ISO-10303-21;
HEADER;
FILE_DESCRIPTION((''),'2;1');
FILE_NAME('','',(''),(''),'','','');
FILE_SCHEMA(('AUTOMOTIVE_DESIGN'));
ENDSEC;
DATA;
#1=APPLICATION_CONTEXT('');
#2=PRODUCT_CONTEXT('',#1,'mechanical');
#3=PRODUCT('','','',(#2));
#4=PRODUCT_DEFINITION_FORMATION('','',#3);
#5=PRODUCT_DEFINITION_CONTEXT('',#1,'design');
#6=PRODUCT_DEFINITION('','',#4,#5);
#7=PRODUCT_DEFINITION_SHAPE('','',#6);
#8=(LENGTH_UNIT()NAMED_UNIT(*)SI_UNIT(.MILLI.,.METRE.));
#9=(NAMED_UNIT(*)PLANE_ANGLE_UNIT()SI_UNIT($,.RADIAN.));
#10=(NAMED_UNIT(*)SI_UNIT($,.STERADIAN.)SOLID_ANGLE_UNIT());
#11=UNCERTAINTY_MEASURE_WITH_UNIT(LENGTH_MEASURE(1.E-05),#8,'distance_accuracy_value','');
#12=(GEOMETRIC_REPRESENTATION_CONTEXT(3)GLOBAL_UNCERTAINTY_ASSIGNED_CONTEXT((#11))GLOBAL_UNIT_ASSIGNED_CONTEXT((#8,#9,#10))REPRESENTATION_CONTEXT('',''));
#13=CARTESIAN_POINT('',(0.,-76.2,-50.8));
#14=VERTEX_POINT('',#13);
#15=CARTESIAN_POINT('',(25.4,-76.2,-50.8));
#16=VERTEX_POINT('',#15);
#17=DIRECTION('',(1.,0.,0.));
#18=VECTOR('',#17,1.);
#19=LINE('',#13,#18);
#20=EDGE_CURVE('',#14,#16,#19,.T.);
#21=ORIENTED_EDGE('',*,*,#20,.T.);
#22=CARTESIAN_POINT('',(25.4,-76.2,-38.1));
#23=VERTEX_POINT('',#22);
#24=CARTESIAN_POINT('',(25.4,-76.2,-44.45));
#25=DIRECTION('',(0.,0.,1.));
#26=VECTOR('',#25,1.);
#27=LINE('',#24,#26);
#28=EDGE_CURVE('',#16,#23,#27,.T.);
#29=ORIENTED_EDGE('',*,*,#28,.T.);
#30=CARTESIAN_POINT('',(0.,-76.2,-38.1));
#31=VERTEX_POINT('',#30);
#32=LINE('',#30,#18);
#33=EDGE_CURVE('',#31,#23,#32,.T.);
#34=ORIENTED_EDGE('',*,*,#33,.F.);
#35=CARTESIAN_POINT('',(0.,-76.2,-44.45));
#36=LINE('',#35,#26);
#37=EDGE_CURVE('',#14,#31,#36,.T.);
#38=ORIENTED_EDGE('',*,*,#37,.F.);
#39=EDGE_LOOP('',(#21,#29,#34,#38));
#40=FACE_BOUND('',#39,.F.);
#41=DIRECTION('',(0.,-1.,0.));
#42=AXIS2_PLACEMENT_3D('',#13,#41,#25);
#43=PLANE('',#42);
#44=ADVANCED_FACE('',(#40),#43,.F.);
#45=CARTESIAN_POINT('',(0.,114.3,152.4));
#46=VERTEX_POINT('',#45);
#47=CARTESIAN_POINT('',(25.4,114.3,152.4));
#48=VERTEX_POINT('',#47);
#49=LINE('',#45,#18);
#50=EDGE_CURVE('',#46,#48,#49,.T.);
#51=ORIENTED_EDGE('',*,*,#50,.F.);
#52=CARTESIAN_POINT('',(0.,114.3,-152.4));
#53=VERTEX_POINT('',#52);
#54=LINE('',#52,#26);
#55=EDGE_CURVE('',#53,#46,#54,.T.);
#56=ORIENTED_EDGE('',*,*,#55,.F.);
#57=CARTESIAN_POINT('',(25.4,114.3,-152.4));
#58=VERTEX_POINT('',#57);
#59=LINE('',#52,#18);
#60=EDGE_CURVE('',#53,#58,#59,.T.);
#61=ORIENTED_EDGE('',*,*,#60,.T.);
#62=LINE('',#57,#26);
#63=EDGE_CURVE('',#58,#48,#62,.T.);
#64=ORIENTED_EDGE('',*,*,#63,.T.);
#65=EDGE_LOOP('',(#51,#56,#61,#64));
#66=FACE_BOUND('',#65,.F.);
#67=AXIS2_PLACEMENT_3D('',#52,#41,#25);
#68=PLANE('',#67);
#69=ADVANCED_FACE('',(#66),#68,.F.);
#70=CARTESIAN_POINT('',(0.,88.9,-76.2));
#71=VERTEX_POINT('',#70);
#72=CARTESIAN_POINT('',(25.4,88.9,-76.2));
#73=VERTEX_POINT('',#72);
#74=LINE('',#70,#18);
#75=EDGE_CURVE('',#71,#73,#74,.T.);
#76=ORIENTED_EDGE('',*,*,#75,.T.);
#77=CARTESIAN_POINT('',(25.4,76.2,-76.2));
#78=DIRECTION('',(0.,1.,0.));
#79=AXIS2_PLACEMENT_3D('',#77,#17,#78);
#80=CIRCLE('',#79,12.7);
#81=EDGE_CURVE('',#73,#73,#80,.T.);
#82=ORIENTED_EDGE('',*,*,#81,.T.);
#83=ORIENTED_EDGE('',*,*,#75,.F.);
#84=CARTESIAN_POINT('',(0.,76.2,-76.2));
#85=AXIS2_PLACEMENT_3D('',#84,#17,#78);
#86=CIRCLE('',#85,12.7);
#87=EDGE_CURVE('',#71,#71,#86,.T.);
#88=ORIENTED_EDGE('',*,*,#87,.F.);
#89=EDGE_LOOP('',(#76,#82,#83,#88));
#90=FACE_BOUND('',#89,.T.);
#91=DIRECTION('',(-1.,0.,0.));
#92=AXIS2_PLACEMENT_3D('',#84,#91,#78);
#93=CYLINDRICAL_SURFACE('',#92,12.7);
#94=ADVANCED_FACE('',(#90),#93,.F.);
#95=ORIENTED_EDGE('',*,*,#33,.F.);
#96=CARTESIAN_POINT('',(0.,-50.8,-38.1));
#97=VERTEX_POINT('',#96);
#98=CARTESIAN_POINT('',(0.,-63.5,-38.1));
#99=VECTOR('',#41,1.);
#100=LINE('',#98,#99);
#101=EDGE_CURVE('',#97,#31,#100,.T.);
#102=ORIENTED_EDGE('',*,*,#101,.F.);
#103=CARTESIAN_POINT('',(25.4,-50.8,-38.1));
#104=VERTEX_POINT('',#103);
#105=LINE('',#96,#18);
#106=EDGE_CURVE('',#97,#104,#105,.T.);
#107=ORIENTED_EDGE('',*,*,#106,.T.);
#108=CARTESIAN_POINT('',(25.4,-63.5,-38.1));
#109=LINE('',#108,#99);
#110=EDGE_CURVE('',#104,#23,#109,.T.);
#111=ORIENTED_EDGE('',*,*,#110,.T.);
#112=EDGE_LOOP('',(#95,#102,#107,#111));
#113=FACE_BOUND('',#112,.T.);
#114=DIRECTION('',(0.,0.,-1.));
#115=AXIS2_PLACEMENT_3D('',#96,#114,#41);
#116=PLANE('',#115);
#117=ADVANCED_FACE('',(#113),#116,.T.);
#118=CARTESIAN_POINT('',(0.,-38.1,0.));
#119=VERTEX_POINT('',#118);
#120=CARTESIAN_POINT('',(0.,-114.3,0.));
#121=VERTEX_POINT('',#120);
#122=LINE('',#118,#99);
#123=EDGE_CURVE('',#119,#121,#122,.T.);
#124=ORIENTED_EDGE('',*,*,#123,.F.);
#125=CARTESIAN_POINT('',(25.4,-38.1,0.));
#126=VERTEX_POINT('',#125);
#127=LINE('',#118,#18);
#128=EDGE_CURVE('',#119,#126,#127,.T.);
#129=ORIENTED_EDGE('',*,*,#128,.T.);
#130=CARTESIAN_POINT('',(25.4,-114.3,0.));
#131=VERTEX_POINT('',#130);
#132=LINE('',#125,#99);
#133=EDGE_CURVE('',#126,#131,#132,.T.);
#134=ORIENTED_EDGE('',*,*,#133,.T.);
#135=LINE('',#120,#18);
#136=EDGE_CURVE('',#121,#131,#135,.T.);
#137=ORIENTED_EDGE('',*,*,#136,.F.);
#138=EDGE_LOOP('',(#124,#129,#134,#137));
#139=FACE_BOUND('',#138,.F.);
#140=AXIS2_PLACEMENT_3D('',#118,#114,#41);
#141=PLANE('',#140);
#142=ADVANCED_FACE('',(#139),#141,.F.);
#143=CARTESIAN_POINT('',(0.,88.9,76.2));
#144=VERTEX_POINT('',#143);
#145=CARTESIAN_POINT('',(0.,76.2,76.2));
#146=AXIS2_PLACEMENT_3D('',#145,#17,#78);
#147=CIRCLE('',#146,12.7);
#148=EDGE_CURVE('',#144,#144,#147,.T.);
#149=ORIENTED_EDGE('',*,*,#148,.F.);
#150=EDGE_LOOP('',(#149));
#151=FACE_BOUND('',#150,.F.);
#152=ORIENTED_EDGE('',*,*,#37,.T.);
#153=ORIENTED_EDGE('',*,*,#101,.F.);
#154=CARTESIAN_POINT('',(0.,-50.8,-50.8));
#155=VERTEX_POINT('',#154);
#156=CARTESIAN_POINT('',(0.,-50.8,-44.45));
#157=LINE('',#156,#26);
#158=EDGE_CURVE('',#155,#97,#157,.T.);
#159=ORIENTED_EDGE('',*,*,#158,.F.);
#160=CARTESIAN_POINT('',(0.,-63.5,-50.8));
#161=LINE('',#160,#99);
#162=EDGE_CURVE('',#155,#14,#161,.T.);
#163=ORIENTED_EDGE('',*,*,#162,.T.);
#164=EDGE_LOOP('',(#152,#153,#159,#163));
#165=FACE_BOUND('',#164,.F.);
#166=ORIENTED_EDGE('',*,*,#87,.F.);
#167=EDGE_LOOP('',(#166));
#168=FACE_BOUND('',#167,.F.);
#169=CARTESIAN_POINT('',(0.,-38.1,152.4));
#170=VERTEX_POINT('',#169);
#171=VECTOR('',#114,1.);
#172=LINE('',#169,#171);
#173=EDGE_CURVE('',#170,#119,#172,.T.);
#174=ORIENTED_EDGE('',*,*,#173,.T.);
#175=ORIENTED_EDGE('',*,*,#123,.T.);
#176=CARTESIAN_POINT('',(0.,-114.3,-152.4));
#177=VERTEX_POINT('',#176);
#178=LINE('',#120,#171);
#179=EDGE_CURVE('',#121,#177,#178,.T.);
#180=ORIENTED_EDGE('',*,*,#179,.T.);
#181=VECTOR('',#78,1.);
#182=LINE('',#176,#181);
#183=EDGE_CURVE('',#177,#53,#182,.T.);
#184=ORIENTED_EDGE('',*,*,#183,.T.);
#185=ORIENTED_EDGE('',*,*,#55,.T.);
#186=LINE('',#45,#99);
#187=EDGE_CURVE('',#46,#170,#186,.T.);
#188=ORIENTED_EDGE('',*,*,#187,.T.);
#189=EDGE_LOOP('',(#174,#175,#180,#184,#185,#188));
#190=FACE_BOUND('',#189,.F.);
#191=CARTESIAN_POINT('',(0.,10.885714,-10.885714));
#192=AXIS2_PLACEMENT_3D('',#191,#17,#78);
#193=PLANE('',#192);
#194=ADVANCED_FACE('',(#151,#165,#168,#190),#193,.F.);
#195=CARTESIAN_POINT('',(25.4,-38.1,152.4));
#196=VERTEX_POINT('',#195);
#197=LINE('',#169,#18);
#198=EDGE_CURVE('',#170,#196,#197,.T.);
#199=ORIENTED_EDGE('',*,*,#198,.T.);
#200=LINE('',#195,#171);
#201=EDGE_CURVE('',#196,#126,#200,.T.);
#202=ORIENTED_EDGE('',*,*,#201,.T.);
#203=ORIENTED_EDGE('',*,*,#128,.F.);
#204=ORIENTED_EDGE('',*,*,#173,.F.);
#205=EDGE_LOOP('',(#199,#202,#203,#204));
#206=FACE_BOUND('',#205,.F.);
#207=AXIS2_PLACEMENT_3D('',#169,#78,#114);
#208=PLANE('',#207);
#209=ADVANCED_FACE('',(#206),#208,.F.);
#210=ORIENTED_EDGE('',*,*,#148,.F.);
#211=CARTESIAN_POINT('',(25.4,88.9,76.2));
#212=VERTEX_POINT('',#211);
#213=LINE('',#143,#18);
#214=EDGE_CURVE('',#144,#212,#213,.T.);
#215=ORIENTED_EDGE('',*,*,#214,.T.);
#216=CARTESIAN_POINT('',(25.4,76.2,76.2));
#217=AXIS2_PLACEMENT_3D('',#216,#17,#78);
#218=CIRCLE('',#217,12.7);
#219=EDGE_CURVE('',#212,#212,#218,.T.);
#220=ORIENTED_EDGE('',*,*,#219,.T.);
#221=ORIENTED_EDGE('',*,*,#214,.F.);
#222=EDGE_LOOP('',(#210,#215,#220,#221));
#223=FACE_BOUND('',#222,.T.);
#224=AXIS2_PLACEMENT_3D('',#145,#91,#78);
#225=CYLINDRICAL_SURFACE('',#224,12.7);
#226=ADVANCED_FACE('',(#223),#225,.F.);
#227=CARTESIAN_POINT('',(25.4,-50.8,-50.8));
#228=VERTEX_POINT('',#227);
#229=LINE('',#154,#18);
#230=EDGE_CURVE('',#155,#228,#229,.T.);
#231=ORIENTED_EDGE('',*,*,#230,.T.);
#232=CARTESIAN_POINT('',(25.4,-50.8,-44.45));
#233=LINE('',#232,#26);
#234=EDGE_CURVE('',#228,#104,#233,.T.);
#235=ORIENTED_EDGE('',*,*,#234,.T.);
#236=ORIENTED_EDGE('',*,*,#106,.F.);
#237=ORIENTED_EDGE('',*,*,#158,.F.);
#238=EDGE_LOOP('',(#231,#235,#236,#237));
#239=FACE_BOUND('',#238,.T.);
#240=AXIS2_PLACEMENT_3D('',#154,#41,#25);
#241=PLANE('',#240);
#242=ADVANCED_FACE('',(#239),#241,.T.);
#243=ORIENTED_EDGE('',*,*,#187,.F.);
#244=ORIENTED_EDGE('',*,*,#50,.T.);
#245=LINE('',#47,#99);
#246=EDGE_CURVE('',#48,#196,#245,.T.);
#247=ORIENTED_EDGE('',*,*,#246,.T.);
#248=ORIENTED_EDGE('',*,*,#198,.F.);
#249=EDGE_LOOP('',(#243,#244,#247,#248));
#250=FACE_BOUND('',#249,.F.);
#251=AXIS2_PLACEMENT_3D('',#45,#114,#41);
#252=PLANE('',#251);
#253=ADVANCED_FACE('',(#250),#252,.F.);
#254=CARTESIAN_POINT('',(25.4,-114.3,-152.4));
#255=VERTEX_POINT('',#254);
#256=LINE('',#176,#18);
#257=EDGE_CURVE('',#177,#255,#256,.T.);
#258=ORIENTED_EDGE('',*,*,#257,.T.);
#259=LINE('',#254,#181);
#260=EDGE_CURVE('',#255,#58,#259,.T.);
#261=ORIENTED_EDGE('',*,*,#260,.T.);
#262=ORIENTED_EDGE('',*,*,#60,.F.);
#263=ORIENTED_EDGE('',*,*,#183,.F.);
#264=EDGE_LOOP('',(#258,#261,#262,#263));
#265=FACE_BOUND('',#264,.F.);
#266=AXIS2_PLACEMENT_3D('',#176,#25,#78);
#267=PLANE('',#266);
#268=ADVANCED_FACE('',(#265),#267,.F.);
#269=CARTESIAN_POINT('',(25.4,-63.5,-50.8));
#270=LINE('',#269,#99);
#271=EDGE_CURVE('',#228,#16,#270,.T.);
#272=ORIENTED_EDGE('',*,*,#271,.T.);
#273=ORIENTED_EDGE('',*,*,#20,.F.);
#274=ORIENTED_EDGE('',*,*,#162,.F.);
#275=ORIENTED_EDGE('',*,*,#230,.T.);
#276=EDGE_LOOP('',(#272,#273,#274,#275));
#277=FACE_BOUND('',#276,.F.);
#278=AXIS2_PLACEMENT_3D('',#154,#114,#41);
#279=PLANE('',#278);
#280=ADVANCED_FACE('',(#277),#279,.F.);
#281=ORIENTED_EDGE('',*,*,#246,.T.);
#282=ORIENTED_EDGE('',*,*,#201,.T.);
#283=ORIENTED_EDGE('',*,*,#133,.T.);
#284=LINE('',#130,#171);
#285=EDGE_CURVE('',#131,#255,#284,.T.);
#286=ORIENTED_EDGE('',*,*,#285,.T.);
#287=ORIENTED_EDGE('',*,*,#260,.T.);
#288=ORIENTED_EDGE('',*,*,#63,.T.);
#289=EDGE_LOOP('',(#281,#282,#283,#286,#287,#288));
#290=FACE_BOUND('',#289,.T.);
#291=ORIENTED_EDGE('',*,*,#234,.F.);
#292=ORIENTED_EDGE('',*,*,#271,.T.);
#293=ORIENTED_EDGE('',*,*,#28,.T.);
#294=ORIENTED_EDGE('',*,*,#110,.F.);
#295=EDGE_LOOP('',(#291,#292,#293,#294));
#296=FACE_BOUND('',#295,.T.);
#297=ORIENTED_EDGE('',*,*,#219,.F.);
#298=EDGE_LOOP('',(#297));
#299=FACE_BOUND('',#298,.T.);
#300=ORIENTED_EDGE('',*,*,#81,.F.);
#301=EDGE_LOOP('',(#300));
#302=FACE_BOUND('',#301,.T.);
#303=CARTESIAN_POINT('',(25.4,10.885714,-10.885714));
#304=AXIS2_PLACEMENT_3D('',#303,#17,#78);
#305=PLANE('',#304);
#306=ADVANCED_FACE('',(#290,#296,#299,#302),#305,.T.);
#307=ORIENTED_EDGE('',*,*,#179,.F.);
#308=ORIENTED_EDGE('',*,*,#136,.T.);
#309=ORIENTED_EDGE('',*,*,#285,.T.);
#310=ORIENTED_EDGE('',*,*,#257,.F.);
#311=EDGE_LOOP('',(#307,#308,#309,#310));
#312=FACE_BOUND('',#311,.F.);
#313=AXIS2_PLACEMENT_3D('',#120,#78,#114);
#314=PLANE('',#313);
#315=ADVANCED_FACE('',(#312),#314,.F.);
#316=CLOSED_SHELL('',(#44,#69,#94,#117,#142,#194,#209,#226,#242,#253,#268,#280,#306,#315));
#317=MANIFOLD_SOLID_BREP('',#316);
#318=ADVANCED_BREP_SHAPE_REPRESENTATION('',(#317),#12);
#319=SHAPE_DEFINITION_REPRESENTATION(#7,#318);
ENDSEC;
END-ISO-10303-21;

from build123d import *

# Parameters (mm, degrees)
F0_R     = 12.7
F1_DEPTH = 25.4
F2_W     = 25.4
F2_H     = 12.7
F3_DEPTH = 25.4


with BuildPart() as f1:
    # F0 (on Right) → F1 (new body)
    with BuildSketch(Plane.YZ):
        Polygon((114.3, -152.4), (114.3, 152.4), (-38.1, 152.4), (-38.1, 0), (-114.3, 0), (-114.3, -152.4), align=None)
        with Locations((76.2, -76.2)):
            Circle(F0_R, mode=Mode.SUBTRACT)
        with Locations((76.2, 76.2)):
            Circle(F0_R, mode=Mode.SUBTRACT)
    extrude(amount=F1_DEPTH)

    # F2 (on face) → F3 (cut)
    with BuildSketch(Plane(origin=(0, 0, 0), x_dir=(0, -1, 0), z_dir=(-1, 0, 0))):
        with Locations((63.5, -44.45)):
            Rectangle(F2_W, F2_H)
    extrude(amount=-F3_DEPTH, mode=Mode.SUBTRACT)


solid = f1.part
